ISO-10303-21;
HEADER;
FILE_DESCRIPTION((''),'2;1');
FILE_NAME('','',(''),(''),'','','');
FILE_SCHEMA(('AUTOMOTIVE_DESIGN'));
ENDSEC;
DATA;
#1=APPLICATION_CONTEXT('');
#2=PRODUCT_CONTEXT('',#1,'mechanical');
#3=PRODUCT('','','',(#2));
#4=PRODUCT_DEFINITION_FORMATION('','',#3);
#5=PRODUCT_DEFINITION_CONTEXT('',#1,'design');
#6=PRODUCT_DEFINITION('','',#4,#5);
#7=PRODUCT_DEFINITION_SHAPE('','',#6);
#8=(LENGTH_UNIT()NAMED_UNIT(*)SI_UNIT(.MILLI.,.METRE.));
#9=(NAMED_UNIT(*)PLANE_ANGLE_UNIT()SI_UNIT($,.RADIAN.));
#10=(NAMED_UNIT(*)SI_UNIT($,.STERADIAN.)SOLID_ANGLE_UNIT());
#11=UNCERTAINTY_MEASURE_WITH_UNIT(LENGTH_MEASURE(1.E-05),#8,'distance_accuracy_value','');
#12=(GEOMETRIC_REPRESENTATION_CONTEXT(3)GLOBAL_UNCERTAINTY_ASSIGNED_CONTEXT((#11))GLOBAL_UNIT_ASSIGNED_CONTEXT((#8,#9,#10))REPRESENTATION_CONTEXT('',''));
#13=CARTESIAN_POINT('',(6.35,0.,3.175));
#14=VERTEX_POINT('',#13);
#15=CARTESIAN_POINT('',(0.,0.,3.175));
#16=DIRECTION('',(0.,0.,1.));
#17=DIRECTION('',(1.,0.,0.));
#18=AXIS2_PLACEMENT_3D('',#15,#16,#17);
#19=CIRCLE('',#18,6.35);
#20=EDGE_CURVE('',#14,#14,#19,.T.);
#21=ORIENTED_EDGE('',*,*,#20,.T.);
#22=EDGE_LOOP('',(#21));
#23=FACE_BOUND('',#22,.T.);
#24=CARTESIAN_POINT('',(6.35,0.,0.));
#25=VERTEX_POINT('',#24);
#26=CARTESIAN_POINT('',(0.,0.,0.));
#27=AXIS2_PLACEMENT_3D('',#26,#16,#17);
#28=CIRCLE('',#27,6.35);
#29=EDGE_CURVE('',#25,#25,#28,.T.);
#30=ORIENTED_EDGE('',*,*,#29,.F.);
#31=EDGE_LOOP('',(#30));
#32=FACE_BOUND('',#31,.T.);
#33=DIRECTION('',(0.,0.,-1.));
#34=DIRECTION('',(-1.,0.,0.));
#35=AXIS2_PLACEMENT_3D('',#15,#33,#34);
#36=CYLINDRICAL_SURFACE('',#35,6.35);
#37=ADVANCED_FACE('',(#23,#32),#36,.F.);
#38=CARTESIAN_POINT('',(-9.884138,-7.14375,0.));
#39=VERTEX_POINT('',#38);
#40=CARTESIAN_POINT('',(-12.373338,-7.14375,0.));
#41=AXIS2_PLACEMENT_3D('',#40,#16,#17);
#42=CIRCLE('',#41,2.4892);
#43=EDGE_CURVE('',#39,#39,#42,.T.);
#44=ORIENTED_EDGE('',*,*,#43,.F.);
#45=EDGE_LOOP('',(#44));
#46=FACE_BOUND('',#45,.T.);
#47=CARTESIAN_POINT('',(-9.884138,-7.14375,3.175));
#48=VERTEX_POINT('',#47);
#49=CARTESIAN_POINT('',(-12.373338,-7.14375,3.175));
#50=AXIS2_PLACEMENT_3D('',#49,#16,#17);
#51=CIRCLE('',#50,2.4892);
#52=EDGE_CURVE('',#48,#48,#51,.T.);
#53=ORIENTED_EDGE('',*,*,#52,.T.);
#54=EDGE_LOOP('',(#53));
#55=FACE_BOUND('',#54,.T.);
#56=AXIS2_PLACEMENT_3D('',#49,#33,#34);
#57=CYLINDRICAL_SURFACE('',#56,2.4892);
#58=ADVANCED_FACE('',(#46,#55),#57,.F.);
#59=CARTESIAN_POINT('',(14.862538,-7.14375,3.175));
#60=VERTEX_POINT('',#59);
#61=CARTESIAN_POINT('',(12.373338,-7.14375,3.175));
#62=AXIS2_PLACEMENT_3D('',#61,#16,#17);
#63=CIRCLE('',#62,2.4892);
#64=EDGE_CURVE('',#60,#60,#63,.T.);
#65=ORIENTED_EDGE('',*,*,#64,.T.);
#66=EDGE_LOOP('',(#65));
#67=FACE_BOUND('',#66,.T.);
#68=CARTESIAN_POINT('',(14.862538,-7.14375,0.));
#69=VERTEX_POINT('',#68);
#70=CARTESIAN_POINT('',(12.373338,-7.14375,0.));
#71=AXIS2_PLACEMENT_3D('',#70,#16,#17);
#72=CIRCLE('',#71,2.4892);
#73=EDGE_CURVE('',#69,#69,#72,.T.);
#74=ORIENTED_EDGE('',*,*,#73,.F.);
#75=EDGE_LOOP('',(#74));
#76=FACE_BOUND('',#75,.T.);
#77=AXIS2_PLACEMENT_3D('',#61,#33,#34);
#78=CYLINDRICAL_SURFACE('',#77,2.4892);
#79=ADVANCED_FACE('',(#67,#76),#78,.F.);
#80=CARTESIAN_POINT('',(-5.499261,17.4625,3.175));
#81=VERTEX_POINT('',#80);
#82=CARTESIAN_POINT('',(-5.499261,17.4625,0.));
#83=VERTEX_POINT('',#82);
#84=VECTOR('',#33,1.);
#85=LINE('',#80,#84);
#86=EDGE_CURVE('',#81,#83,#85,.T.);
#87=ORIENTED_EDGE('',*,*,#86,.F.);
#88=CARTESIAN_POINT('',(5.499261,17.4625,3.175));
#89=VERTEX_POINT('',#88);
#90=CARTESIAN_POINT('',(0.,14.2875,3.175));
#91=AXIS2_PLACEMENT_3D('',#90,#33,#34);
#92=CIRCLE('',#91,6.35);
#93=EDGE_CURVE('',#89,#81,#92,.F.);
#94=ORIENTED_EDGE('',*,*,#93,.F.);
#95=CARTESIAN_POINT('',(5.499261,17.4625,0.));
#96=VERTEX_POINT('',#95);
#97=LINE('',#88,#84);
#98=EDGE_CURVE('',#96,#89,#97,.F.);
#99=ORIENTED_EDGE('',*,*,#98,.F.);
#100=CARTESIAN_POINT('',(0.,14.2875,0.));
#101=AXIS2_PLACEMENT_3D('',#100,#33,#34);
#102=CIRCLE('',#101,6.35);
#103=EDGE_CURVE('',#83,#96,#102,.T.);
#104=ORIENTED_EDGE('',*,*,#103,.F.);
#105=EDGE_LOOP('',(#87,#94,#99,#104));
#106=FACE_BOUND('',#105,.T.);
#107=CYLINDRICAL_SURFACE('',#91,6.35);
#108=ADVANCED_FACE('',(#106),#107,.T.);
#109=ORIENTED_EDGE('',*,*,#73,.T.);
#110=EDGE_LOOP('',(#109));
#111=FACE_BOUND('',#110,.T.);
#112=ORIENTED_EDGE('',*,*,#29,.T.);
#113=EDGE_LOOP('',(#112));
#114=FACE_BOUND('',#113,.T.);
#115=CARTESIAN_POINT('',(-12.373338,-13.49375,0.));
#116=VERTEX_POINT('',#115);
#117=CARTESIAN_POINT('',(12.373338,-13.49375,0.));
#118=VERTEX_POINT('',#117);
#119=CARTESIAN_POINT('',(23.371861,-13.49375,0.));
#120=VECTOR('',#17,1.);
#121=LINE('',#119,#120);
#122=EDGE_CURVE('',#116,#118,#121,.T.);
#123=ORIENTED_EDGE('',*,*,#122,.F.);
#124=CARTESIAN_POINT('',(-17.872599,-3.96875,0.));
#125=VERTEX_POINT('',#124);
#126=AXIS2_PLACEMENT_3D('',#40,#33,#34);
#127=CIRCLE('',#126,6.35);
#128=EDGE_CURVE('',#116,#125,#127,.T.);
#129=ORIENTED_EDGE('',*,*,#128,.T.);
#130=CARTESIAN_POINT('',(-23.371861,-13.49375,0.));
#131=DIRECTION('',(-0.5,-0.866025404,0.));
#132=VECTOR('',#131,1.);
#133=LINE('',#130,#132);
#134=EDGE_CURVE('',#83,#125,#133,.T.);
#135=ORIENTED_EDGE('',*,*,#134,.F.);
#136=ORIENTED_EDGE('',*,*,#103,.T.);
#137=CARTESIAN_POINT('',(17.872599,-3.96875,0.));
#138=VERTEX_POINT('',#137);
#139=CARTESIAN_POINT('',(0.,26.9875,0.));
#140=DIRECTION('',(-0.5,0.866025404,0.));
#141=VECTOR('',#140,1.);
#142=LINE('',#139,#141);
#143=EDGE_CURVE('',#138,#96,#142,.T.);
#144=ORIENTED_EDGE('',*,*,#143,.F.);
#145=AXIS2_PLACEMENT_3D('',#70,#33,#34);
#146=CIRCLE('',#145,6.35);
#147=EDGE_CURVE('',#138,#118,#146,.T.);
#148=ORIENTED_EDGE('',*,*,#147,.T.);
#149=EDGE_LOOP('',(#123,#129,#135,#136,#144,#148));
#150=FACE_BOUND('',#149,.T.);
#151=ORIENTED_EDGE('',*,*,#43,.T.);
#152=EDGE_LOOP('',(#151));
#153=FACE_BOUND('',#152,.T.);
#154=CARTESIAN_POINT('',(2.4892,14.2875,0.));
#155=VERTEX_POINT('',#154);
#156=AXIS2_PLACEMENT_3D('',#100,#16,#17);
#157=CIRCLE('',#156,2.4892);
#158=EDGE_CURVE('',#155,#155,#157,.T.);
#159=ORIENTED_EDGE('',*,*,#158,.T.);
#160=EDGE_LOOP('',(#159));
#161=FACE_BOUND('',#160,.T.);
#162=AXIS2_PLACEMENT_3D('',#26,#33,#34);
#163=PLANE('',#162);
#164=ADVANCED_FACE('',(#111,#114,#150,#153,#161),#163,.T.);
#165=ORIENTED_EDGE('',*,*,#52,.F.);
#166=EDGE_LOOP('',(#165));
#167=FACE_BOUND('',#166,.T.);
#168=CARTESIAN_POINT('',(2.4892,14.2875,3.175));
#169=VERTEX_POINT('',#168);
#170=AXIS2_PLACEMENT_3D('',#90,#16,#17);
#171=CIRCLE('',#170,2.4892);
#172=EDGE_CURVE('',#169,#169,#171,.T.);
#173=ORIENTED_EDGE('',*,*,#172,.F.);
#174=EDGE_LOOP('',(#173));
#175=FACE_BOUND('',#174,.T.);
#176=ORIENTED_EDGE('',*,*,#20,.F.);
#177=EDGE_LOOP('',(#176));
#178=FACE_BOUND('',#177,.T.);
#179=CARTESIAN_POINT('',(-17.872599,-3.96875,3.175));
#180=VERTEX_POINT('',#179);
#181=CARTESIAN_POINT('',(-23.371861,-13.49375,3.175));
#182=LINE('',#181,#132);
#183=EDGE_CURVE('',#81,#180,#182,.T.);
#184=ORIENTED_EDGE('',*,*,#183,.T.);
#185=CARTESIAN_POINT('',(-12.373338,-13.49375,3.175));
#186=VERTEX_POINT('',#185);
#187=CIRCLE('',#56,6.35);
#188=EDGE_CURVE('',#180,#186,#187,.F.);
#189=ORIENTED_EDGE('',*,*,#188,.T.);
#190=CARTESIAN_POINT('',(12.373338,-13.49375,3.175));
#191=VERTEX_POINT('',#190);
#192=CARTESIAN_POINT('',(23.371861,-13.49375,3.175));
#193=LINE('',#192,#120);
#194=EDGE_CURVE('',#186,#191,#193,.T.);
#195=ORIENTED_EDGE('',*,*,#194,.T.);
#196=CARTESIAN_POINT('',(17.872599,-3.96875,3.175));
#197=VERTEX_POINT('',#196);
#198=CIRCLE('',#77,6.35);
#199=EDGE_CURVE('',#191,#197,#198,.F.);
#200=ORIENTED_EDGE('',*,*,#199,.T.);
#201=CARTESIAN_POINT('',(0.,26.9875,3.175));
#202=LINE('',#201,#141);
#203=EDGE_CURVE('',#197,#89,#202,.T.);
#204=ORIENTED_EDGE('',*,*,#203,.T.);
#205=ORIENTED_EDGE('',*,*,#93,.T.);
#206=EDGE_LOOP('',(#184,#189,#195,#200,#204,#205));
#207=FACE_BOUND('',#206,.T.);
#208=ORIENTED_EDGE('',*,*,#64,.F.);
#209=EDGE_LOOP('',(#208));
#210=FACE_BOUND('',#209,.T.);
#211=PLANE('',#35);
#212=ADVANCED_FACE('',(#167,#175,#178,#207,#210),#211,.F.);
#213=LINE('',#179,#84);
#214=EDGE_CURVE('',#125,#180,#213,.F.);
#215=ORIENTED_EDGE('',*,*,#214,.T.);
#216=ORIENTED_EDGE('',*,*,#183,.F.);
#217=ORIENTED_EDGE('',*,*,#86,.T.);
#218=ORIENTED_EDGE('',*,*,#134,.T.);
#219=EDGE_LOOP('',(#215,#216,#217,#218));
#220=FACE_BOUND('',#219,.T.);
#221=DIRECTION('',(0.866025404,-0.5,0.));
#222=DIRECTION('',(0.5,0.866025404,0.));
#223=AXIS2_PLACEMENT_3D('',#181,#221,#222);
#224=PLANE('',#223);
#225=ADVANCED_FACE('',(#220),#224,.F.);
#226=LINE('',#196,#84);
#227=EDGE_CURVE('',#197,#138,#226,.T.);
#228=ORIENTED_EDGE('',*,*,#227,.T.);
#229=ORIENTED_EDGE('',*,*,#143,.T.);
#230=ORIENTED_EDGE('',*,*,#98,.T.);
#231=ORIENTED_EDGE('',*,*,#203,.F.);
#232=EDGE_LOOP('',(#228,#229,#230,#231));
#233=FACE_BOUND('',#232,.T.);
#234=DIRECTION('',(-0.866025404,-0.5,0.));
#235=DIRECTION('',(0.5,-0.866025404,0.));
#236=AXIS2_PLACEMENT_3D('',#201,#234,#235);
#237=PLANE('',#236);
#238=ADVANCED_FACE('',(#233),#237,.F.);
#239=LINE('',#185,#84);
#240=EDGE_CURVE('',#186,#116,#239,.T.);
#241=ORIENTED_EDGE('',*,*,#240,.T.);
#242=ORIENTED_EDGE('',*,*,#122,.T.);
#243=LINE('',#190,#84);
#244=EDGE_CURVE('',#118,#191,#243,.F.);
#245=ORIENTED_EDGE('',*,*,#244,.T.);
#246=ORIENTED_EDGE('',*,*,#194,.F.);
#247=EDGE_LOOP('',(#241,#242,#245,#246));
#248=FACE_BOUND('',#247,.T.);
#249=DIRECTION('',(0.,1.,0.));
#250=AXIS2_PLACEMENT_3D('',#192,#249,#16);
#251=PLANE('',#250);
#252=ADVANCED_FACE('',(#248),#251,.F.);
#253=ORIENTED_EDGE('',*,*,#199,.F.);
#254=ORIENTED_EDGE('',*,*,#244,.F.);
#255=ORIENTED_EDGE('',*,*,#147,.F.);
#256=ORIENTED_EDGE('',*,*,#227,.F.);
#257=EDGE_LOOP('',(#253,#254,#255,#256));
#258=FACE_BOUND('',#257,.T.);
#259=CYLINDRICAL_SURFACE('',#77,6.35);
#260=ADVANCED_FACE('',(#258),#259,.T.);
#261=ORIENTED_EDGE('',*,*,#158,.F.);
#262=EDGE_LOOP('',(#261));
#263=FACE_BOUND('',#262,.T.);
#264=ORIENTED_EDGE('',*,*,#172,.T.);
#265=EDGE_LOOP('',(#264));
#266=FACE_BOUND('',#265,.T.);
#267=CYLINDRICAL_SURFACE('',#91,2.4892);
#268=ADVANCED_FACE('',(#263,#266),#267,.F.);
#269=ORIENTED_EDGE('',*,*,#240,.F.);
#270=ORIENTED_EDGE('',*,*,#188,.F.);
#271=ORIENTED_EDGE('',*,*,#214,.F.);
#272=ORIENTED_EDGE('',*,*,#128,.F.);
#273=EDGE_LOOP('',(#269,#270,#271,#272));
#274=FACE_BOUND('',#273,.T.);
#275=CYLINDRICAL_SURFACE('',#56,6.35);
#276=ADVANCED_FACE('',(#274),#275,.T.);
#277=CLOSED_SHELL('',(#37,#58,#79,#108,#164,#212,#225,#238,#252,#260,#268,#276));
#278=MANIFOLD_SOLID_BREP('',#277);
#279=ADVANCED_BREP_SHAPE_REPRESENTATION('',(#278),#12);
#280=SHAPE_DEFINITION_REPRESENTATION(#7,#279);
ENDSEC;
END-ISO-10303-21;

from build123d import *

# Parameters (mm, degrees)
SKETCH1_R           = 6.35
SKETCH1_R_2         = 2.4892
BOSS_EXTRUDE1_DEPTH = 3.175
FILLET1_R           = 6.35


with BuildPart() as part:
    # Sketch1 → Boss-Extrude1 (new body)
    with BuildSketch(Plane.XY):
        Polygon((0, 26.9875), (23.371860585, -13.49375), (-23.371860585, -13.49375), align=None)
        Circle(SKETCH1_R, mode=Mode.SUBTRACT)
        with Locations((0, 14.2875)):
            Circle(SKETCH1_R_2, mode=Mode.SUBTRACT)
        with Locations((12.373337957, -7.14375)):
            Circle(SKETCH1_R_2, mode=Mode.SUBTRACT)
        with Locations((-12.373337957, -7.14375)):
            Circle(SKETCH1_R_2, mode=Mode.SUBTRACT)
    extrude(amount=BOSS_EXTRUDE1_DEPTH)

    # Fillet1
    fillet1_edges = [part.edges().sort_by_distance(p)[0] for p in [
        (0, 26.9875, 1.5875),
        (23.371860585, -13.49375, 1.5875),
        (-23.371860585, -13.49375, 1.5875),
    ]]
    fillet(fillet1_edges, radius=FILLET1_R)


solid = part.part
